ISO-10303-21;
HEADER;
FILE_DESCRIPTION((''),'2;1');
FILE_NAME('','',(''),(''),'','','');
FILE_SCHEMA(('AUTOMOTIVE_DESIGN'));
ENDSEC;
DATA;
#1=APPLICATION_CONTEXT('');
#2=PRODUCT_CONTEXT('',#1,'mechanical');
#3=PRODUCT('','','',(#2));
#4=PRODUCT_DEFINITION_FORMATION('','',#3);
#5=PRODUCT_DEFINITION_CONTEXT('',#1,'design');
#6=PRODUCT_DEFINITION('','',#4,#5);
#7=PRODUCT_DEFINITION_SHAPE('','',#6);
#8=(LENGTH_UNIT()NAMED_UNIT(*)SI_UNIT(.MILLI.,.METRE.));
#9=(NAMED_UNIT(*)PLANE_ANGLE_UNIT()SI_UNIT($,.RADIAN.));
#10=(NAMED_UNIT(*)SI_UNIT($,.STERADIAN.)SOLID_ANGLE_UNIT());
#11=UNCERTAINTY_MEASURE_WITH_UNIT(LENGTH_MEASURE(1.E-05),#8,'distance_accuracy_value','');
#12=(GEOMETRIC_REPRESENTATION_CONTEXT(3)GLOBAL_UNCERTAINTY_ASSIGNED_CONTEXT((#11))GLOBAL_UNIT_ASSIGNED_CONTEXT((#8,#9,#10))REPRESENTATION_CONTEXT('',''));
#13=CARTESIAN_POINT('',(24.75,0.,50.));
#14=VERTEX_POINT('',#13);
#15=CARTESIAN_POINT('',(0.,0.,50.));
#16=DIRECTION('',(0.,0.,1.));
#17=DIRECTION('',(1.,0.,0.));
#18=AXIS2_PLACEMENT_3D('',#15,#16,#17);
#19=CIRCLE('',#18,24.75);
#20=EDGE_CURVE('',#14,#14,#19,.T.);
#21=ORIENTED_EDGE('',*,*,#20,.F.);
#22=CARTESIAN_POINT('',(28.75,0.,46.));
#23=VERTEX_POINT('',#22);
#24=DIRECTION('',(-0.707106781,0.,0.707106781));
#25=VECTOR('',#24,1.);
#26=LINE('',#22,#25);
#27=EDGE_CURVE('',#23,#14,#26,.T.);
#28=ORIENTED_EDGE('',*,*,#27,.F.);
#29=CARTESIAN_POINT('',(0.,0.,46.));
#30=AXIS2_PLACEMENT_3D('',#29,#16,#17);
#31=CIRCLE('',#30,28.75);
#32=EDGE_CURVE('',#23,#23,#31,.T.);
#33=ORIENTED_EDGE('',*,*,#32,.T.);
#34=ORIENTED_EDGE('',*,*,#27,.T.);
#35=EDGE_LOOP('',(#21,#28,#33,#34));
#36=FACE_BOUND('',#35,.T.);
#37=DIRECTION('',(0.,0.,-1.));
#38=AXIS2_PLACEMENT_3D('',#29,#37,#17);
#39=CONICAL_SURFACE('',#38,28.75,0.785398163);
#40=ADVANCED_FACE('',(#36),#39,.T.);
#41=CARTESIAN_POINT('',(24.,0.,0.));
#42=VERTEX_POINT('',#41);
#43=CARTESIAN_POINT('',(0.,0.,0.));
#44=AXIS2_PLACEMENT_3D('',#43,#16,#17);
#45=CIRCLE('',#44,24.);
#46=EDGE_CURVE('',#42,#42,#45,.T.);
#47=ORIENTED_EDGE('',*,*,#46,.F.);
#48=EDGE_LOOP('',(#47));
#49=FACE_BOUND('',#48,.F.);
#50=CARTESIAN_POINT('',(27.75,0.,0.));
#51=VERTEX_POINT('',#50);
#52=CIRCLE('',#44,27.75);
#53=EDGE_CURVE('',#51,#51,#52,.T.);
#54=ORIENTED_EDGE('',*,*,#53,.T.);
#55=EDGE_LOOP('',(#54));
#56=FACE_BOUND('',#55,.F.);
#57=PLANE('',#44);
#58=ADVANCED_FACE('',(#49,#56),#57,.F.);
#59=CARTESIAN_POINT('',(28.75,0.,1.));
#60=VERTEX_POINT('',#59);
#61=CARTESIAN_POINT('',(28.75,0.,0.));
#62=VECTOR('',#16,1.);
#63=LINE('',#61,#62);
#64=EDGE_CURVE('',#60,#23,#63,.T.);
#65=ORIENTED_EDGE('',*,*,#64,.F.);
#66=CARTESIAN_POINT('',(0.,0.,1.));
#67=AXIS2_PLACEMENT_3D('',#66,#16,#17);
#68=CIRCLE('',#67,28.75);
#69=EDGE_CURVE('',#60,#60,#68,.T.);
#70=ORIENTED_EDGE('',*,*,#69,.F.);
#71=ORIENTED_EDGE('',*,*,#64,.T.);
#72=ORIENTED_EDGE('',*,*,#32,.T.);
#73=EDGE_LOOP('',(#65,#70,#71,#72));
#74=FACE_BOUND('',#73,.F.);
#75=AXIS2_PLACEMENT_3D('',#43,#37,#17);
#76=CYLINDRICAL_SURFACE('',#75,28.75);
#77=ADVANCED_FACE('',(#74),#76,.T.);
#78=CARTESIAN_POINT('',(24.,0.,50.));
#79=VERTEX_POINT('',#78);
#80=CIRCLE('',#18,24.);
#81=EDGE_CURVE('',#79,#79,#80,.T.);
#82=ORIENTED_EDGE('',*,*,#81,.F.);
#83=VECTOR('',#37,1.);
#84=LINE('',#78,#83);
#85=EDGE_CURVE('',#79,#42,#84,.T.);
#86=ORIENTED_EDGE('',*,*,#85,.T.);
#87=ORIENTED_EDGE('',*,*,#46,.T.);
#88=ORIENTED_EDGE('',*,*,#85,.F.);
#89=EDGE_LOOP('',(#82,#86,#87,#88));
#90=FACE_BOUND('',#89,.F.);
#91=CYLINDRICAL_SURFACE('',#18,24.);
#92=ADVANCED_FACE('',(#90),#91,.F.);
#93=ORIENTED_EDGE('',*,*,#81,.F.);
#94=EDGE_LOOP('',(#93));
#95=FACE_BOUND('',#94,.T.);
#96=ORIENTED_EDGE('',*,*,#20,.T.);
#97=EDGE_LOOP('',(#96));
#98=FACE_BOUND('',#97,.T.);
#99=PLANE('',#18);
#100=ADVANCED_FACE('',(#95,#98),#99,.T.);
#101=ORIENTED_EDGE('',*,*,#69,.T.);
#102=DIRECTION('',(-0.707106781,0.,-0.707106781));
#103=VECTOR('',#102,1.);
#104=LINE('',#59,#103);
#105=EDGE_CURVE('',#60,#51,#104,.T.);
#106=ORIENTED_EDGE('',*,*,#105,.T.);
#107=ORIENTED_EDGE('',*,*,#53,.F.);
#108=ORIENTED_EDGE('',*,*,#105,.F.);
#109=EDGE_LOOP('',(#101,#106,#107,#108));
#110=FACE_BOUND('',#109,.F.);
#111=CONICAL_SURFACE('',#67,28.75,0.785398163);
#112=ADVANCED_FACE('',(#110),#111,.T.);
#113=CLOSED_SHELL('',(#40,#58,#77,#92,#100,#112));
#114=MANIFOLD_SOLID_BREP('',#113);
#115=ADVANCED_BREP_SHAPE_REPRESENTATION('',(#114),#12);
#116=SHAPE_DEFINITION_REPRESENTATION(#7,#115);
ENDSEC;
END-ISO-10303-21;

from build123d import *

# Parameters (mm, degrees)
SKETCH_R        = 28.75
PAD_DEPTH       = 50
SKETCH001_R     = 24
POCKET_DEPTH    = 50
CHAMFER_SIZE    = 4
CHAMFER001_SIZE = 1


with BuildPart() as part:
    # Sketch → Pad (new body)
    with BuildSketch(Plane.XY):
        Circle(SKETCH_R)
    extrude(amount=PAD_DEPTH)

    # Sketch001 (on Face3 of Pad) → Pocket (cut)
    with BuildSketch(Plane.XY.offset(50)):
        Circle(SKETCH001_R)
    extrude(amount=-POCKET_DEPTH, mode=Mode.SUBTRACT)

    # Chamfer
    chamfer_edges = [part.edges().sort_by_distance(p)[0] for p in [
        (-28.75, 0, 50),
    ]]
    chamfer(chamfer_edges, length=CHAMFER_SIZE)

    # Chamfer001
    chamfer001_edges = [part.edges().sort_by_distance(p)[0] for p in [
        (-28.75, 0, 0),
    ]]
    chamfer(chamfer001_edges, length=CHAMFER001_SIZE)


solid = part.part
